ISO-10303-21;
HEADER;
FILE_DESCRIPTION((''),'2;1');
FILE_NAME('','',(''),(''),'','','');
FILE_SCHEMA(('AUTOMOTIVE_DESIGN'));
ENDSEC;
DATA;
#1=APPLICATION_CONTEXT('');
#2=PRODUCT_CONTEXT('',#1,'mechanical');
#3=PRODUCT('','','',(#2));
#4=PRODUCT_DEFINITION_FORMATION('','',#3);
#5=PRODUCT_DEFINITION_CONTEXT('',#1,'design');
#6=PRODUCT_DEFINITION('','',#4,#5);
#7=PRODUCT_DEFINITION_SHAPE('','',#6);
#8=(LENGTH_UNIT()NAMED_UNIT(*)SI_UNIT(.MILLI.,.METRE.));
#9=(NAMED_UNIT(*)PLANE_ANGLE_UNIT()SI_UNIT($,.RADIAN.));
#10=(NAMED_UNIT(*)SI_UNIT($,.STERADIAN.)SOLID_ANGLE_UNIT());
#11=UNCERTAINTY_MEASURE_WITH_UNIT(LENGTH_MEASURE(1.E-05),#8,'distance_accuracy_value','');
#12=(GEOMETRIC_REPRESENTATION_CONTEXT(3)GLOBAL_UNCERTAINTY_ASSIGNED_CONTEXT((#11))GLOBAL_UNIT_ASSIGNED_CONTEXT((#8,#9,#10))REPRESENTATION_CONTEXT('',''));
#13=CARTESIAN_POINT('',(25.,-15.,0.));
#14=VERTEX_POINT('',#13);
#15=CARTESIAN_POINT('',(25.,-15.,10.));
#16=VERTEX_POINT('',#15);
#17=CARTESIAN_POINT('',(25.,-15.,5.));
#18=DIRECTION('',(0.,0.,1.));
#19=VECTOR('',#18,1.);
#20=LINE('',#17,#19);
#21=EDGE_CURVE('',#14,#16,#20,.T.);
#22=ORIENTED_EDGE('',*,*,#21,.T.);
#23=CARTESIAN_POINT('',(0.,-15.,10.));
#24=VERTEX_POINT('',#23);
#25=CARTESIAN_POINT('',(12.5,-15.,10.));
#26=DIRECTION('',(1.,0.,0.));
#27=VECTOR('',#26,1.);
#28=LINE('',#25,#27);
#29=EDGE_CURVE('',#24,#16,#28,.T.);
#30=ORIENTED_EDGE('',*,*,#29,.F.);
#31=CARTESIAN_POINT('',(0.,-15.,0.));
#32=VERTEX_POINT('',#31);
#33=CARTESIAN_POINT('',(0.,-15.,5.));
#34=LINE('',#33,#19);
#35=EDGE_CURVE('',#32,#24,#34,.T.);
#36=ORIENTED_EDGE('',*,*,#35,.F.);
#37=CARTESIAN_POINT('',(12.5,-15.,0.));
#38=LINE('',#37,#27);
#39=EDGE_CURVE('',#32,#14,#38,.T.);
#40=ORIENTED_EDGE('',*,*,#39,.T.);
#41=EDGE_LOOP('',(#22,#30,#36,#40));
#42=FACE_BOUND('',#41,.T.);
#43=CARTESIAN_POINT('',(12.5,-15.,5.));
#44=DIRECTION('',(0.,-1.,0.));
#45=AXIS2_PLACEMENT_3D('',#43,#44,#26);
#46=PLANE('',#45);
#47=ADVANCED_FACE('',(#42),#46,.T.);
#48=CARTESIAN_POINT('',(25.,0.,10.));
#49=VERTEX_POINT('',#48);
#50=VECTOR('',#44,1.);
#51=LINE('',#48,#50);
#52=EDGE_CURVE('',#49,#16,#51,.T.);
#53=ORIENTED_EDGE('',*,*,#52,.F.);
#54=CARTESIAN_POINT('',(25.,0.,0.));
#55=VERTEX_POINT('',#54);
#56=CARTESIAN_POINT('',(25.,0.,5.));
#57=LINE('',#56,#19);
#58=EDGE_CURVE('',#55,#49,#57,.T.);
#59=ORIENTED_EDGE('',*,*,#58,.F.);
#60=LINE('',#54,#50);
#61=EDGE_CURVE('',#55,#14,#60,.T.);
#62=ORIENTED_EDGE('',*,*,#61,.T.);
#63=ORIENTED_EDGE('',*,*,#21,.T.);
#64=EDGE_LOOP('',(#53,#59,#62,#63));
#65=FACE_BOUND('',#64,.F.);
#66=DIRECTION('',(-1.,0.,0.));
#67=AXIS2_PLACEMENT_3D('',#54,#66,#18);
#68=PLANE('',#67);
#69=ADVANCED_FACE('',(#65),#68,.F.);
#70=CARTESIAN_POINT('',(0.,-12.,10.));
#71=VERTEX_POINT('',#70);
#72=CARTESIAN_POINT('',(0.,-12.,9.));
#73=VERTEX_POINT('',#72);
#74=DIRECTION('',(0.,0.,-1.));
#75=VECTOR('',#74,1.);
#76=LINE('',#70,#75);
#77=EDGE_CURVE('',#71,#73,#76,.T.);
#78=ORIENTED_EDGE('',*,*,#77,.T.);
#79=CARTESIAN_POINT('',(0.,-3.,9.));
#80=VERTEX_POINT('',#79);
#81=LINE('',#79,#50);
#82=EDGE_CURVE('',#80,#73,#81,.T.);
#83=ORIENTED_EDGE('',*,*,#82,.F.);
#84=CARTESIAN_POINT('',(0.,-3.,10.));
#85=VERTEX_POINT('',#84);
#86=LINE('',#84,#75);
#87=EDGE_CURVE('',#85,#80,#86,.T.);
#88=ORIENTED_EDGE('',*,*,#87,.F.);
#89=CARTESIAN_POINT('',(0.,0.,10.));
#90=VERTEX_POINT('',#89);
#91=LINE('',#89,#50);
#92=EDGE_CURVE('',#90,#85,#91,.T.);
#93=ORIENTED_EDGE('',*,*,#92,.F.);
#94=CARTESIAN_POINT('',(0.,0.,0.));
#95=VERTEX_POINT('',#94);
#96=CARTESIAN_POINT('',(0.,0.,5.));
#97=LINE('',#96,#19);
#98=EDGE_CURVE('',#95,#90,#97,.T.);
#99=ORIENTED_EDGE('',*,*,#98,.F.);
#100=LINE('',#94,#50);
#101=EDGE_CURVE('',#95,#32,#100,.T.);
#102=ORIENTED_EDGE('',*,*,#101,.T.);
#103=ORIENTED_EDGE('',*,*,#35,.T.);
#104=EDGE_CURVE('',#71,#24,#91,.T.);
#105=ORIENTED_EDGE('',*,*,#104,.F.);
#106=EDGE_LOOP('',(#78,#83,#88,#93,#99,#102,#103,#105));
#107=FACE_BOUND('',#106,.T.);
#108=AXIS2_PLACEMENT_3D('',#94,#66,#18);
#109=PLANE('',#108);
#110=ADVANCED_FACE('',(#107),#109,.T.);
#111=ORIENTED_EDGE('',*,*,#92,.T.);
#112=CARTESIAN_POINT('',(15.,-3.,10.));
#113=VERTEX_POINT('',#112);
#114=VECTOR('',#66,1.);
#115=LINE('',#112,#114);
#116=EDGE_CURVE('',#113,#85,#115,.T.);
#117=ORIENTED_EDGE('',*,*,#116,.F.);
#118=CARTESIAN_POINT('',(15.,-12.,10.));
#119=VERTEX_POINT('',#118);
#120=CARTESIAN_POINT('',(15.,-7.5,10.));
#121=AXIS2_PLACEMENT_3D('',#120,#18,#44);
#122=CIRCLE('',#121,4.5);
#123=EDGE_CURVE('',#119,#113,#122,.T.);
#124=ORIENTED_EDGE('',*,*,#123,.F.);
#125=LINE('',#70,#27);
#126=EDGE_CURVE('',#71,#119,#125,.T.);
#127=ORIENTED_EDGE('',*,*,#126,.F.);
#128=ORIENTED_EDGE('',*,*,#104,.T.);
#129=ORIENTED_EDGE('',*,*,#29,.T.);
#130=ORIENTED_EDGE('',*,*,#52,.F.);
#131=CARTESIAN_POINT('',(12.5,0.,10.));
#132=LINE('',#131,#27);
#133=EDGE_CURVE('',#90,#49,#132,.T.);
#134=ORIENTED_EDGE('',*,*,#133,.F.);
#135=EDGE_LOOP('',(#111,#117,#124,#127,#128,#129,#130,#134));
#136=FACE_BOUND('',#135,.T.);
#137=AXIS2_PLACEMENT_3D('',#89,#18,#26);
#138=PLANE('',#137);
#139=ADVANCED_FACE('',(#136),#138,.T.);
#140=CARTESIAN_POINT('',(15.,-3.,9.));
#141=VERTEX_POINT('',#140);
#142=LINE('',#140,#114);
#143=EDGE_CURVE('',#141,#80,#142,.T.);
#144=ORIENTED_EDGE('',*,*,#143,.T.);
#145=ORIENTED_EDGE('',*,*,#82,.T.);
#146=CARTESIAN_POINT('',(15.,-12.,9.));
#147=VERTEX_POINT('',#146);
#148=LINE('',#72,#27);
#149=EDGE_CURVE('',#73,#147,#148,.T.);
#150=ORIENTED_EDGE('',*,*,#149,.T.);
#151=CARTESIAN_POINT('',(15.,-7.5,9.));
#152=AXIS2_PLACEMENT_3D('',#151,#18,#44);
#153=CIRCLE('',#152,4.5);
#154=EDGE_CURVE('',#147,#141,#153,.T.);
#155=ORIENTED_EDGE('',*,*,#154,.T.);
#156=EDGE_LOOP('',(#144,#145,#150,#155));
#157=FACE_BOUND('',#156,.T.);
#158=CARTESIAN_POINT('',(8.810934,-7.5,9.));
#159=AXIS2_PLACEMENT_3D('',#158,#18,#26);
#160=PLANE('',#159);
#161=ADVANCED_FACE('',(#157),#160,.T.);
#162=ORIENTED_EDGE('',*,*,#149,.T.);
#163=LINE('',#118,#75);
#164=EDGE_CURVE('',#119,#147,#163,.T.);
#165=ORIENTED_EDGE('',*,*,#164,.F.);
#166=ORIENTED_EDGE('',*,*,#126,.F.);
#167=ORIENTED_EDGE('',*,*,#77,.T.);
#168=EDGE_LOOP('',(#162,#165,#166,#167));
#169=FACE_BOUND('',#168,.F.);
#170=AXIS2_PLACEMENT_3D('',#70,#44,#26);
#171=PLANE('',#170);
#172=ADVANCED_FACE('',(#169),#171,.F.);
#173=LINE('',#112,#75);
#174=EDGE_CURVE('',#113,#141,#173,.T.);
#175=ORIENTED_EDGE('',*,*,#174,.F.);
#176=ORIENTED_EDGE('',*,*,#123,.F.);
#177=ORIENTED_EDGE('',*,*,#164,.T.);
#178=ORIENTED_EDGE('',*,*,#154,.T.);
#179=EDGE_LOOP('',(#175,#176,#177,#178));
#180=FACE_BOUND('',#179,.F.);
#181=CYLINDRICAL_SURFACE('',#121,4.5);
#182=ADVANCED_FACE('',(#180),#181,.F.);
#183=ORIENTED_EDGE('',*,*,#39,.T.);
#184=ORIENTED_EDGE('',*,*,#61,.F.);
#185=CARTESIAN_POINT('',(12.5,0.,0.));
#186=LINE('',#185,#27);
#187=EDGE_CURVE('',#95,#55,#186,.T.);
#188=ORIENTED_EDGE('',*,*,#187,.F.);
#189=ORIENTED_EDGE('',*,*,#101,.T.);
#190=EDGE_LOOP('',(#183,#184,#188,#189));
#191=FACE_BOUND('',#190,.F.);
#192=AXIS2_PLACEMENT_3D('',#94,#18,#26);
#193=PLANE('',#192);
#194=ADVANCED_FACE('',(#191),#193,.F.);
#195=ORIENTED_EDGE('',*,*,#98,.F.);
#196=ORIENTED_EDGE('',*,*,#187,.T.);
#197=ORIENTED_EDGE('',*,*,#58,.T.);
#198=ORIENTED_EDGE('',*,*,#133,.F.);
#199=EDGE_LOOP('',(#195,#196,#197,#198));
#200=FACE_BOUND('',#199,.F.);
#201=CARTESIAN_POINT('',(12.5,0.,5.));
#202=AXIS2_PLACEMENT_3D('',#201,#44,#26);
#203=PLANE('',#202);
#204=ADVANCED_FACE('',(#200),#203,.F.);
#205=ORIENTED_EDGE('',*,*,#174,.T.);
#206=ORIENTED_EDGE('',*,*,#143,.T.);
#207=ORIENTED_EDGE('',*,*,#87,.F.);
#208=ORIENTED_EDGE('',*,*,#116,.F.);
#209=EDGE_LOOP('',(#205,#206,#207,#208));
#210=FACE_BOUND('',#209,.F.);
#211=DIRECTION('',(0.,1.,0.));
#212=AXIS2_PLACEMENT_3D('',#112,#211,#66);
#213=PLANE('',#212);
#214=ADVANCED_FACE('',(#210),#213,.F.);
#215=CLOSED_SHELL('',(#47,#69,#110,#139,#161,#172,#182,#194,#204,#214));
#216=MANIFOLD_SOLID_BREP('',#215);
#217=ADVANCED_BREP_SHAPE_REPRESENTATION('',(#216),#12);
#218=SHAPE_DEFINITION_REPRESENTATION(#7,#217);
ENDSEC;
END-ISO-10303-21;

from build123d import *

# Parameters (mm, degrees)
F0_W     = 25
F0_H     = 10
F1_DEPTH = 15
F3_DEPTH = 1


with BuildPart() as f1:
    # F0 (on Front) → F1 (new body)
    with BuildSketch(Plane.XZ):
        with Locations((12.5, 5)):
            Rectangle(F0_W, F0_H)
    extrude(amount=F1_DEPTH)

    # F2 (on face) → F3 (cut)
    with BuildSketch(Plane.XY.offset(10)):
        with BuildLine():
            Line((15, -3), (0, -3))
            Line((0, -3), (0, -12))
            Line((0, -12), (15, -12))
            ThreePointArc((15, -12), (19.5, -7.5), (15, -3))
        make_face()
    extrude(amount=-F3_DEPTH, mode=Mode.SUBTRACT)


solid = f1.part
